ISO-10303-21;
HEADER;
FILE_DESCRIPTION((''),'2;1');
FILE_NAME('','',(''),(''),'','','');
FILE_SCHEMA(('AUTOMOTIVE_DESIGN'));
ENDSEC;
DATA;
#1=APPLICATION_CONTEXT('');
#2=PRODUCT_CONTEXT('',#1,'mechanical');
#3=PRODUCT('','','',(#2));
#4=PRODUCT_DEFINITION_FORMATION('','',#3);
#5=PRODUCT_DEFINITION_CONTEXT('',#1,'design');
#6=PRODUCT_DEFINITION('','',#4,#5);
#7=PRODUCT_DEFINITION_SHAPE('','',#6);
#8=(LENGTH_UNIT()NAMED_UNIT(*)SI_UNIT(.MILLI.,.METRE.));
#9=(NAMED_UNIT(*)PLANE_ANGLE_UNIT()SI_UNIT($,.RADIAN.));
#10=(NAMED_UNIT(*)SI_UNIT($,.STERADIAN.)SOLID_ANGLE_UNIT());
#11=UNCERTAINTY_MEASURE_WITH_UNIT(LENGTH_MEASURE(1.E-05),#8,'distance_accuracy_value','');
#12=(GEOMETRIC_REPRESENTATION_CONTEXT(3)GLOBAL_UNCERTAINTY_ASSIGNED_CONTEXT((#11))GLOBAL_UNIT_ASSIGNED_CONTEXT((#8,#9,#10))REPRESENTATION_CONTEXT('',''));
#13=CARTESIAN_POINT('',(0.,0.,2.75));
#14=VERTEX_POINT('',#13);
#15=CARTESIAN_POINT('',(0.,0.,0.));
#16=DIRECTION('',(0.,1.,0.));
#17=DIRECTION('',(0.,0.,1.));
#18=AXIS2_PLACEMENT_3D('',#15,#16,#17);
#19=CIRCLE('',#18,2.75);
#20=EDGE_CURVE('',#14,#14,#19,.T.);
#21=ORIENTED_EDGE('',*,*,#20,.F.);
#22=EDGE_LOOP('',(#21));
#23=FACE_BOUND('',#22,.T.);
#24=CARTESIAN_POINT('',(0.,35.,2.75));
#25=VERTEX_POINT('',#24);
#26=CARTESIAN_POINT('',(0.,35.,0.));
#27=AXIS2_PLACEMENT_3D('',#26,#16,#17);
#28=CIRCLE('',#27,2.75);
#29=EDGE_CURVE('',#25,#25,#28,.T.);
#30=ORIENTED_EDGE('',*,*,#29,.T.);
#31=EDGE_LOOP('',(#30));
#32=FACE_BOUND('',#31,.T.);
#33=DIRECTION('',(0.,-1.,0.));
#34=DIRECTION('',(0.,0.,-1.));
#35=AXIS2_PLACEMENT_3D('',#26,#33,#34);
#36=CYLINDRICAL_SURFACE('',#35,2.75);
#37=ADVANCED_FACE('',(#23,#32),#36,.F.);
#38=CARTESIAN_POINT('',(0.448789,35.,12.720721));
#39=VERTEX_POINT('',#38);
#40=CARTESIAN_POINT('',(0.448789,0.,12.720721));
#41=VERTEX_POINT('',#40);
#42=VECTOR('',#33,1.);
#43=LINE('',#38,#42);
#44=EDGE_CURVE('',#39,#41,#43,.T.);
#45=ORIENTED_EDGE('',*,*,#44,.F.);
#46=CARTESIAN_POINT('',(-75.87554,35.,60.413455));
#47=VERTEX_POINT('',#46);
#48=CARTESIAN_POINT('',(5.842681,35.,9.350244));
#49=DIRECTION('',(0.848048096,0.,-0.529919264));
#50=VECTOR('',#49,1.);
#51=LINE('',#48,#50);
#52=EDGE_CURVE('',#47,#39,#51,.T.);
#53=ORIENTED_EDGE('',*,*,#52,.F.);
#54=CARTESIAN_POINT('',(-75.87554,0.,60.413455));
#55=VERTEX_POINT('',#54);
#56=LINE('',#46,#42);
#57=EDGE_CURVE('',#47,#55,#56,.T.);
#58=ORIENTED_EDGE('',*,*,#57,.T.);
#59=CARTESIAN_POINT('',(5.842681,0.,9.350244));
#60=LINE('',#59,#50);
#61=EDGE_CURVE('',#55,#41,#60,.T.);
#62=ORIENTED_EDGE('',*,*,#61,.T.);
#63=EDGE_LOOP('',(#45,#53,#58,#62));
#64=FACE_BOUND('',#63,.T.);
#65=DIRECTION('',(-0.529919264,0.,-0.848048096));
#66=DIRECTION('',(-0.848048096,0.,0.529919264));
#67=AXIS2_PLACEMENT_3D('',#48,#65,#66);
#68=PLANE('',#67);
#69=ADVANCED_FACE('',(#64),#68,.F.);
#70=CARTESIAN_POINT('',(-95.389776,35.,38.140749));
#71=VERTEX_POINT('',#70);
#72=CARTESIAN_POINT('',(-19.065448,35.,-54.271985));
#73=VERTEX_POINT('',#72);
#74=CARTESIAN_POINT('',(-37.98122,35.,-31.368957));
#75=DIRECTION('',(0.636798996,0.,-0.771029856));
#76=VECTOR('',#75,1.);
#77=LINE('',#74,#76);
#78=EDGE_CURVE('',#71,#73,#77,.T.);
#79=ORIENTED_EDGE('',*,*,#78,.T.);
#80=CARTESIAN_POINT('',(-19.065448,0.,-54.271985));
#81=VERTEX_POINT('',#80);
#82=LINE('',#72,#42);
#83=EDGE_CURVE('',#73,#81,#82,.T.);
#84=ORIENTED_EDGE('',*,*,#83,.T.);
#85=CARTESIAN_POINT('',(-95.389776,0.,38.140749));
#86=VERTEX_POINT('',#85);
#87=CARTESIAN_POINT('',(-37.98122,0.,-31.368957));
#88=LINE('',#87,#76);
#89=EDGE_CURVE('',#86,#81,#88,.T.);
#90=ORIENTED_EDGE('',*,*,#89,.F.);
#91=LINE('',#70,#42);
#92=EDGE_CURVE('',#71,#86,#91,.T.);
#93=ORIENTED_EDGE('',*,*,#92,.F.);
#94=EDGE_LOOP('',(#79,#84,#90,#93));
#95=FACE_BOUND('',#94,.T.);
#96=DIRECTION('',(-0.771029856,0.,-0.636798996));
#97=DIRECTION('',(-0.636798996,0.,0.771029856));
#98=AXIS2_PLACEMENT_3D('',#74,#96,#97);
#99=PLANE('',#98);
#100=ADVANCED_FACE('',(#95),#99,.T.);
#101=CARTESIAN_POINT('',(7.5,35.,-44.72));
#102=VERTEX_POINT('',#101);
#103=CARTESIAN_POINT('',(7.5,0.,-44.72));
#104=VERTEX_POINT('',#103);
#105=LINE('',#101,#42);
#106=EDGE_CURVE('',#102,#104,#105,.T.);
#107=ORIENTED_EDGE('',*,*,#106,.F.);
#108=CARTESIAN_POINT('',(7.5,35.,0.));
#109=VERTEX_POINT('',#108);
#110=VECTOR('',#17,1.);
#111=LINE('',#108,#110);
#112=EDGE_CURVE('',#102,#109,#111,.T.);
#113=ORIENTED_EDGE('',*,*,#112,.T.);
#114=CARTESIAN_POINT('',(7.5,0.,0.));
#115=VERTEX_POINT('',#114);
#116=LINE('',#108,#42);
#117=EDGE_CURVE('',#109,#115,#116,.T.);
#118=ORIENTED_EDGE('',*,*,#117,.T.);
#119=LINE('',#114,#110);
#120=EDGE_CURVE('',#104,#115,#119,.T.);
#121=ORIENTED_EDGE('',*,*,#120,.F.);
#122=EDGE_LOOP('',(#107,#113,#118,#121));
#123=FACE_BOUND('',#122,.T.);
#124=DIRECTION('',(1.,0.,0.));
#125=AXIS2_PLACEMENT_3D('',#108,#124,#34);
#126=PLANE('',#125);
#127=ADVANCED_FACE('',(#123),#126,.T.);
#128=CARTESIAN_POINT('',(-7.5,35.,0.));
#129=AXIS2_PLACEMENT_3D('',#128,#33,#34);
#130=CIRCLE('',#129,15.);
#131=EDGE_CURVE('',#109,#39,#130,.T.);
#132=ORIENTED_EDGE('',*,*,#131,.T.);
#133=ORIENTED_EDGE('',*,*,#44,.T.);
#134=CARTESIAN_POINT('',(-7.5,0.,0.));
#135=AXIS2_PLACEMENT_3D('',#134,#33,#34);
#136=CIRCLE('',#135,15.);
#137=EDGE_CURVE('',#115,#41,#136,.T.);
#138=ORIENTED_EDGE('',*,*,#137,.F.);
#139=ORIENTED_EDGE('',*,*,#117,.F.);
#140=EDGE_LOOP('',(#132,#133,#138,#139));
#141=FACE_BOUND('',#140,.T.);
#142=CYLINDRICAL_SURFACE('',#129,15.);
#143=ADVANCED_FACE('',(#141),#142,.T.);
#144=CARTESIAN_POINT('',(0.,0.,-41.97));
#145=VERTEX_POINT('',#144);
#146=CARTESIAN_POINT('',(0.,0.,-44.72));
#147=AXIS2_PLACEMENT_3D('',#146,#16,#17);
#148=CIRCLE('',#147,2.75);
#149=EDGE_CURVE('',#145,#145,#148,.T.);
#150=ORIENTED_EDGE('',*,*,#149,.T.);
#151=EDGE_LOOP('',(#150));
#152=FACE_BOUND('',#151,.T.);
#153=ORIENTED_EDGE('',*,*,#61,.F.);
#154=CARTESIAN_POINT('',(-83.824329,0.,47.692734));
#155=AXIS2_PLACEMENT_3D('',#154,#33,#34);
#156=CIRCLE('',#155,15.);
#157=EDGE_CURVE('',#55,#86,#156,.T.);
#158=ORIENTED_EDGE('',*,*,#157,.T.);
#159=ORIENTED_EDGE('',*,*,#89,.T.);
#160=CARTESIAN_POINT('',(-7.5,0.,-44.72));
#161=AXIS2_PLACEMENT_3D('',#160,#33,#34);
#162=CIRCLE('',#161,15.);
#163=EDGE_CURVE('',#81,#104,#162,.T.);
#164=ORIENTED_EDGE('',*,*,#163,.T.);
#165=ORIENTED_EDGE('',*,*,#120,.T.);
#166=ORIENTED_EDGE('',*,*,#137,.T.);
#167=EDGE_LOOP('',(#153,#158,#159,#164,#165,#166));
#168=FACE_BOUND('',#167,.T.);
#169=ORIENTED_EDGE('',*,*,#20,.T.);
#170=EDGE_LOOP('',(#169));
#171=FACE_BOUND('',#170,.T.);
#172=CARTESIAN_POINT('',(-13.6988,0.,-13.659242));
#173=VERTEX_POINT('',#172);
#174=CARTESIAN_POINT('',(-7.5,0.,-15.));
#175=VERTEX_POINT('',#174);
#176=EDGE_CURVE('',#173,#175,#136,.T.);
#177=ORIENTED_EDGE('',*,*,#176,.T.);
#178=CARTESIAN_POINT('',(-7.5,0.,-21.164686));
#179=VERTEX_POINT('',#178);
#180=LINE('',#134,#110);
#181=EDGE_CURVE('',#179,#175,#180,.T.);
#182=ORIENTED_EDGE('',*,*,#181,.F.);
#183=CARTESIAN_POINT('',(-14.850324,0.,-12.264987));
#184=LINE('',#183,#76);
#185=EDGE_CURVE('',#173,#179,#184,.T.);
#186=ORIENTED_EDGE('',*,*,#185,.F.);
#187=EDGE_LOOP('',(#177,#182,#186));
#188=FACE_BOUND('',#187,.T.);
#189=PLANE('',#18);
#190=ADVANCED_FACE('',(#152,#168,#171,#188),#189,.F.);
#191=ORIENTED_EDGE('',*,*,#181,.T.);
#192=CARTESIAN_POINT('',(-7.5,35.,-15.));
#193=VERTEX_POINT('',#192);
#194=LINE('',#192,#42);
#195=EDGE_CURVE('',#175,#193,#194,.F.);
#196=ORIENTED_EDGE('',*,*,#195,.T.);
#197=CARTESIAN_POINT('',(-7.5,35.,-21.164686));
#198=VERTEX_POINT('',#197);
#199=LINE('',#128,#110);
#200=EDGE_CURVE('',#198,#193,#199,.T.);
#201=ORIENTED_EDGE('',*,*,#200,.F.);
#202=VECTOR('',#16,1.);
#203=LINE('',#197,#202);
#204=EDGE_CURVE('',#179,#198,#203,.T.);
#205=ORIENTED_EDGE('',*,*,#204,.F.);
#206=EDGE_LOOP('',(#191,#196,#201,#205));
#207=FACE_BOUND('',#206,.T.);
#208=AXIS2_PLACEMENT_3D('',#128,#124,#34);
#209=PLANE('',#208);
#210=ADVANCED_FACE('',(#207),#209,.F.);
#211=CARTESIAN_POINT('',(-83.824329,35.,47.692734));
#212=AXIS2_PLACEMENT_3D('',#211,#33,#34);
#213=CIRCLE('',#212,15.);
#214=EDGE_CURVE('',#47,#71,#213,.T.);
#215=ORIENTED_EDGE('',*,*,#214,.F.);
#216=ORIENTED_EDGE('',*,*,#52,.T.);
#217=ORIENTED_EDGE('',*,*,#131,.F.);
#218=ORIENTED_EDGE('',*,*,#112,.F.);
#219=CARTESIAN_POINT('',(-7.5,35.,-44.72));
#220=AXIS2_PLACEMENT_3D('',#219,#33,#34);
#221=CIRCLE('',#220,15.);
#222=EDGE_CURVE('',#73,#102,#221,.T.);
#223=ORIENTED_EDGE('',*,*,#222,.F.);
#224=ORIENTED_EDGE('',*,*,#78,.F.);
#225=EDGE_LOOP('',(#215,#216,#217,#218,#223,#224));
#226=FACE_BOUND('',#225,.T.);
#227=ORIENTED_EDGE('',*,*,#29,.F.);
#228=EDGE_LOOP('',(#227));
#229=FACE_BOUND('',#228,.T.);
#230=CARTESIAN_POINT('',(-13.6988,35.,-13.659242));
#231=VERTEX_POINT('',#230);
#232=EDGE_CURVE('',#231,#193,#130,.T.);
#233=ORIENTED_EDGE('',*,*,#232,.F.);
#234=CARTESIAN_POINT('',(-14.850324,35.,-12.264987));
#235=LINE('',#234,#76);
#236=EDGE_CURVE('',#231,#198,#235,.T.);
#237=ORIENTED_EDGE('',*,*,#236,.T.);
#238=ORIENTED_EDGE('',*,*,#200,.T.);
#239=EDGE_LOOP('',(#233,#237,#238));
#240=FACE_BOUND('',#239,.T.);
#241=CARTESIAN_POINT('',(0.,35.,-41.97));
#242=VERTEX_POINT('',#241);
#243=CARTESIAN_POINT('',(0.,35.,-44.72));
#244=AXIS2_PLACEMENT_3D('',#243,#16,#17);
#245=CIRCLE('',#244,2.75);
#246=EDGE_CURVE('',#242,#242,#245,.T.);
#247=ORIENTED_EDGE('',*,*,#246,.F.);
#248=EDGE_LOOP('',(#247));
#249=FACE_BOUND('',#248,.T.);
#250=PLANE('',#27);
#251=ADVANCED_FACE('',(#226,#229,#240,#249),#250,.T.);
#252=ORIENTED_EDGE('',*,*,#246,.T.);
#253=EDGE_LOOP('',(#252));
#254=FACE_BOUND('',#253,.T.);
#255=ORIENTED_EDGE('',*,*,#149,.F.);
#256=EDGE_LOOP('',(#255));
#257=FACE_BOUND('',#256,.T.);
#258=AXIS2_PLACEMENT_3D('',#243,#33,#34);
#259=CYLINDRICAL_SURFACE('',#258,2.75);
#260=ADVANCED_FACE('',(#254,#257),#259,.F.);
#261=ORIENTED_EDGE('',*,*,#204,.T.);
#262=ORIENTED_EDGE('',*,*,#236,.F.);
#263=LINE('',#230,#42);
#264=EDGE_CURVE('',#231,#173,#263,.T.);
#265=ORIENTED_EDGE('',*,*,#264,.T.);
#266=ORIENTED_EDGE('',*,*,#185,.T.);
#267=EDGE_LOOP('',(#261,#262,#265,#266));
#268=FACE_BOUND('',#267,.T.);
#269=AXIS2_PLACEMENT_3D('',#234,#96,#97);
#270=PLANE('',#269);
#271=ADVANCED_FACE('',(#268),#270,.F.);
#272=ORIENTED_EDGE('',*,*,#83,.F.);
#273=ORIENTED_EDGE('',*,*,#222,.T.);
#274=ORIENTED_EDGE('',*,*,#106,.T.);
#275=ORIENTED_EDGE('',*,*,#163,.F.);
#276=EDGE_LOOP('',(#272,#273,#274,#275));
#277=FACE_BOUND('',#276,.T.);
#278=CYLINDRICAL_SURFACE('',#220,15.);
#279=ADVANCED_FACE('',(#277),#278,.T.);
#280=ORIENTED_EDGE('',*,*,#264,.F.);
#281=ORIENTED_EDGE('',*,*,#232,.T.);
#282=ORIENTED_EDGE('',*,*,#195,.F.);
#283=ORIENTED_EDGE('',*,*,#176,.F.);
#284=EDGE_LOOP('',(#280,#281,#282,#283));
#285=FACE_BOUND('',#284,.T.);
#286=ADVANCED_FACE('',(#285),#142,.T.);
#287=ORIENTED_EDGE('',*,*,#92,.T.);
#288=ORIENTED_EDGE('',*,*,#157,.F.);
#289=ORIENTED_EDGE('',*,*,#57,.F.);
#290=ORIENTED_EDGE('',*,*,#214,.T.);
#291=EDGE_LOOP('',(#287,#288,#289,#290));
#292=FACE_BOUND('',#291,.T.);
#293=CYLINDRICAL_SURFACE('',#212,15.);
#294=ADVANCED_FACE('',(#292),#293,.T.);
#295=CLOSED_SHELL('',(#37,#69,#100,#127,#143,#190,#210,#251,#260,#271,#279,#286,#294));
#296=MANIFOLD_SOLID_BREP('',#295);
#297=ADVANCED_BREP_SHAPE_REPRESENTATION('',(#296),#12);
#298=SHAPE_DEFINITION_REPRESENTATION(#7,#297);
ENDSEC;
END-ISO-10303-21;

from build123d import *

# Parameters (mm, degrees)
SKETCH1_R           = 2.75
BOSS_EXTRUDE1_DEPTH = 35
SKETCH2_R           = 2.75
BOSS_EXTRUDE2_DEPTH = 35


with BuildPart() as part:
    # Sketch1 → Boss-Extrude1 (new body)
    with BuildSketch(Plane(origin=(0, 0, 0), x_dir=(1, 0, 0), z_dir=(0, 1, 0))):
        with BuildLine():
            Line((7.5, 44.72), (7.5, 0))
            ThreePointArc((7.5, 0), (0, -7.5), (-7.5, 0))
            Line((-7.5, 0), (-7.5, 44.72))
            ThreePointArc((-7.5, 44.72), (0, 52.22), (7.5, 44.72))
        make_face()
        with Locations((0, 44.72)):
            Circle(SKETCH1_R, mode=Mode.SUBTRACT)
        Circle(SKETCH1_R, mode=Mode.SUBTRACT)
    extrude(amount=BOSS_EXTRUDE1_DEPTH)

    # Sketch2 → Boss-Extrude2 (add)
    with BuildSketch(Plane.XZ):
        with BuildLine():
            ThreePointArc((-75.875539691, 60.413455223), (-95.106545537, 57.577650686), (-95.38977649, 38.140748838))
            Line((-95.38977649, 38.140748838), (-19.065447836, -54.271984943))
            ThreePointArc((-19.065447836, -54.271984943), (2.051984943, -56.285447836), (4.065447836, -35.168015057))
            Line((4.065447836, -35.168015057), (-13.698799918, -13.659241545))
            ThreePointArc((-13.698799918, -13.659241545), (5.718972245, -7.089342197), (0.448788963, 12.720721442))
            Line((0.448788963, 12.720721442), (-75.875539691, 60.413455223))
        make_face()
        Circle(SKETCH2_R, mode=Mode.SUBTRACT)
        with Locations((0, -44.72)):
            Circle(SKETCH2_R, mode=Mode.SUBTRACT)
    extrude(amount=-BOSS_EXTRUDE2_DEPTH)


solid = part.part
